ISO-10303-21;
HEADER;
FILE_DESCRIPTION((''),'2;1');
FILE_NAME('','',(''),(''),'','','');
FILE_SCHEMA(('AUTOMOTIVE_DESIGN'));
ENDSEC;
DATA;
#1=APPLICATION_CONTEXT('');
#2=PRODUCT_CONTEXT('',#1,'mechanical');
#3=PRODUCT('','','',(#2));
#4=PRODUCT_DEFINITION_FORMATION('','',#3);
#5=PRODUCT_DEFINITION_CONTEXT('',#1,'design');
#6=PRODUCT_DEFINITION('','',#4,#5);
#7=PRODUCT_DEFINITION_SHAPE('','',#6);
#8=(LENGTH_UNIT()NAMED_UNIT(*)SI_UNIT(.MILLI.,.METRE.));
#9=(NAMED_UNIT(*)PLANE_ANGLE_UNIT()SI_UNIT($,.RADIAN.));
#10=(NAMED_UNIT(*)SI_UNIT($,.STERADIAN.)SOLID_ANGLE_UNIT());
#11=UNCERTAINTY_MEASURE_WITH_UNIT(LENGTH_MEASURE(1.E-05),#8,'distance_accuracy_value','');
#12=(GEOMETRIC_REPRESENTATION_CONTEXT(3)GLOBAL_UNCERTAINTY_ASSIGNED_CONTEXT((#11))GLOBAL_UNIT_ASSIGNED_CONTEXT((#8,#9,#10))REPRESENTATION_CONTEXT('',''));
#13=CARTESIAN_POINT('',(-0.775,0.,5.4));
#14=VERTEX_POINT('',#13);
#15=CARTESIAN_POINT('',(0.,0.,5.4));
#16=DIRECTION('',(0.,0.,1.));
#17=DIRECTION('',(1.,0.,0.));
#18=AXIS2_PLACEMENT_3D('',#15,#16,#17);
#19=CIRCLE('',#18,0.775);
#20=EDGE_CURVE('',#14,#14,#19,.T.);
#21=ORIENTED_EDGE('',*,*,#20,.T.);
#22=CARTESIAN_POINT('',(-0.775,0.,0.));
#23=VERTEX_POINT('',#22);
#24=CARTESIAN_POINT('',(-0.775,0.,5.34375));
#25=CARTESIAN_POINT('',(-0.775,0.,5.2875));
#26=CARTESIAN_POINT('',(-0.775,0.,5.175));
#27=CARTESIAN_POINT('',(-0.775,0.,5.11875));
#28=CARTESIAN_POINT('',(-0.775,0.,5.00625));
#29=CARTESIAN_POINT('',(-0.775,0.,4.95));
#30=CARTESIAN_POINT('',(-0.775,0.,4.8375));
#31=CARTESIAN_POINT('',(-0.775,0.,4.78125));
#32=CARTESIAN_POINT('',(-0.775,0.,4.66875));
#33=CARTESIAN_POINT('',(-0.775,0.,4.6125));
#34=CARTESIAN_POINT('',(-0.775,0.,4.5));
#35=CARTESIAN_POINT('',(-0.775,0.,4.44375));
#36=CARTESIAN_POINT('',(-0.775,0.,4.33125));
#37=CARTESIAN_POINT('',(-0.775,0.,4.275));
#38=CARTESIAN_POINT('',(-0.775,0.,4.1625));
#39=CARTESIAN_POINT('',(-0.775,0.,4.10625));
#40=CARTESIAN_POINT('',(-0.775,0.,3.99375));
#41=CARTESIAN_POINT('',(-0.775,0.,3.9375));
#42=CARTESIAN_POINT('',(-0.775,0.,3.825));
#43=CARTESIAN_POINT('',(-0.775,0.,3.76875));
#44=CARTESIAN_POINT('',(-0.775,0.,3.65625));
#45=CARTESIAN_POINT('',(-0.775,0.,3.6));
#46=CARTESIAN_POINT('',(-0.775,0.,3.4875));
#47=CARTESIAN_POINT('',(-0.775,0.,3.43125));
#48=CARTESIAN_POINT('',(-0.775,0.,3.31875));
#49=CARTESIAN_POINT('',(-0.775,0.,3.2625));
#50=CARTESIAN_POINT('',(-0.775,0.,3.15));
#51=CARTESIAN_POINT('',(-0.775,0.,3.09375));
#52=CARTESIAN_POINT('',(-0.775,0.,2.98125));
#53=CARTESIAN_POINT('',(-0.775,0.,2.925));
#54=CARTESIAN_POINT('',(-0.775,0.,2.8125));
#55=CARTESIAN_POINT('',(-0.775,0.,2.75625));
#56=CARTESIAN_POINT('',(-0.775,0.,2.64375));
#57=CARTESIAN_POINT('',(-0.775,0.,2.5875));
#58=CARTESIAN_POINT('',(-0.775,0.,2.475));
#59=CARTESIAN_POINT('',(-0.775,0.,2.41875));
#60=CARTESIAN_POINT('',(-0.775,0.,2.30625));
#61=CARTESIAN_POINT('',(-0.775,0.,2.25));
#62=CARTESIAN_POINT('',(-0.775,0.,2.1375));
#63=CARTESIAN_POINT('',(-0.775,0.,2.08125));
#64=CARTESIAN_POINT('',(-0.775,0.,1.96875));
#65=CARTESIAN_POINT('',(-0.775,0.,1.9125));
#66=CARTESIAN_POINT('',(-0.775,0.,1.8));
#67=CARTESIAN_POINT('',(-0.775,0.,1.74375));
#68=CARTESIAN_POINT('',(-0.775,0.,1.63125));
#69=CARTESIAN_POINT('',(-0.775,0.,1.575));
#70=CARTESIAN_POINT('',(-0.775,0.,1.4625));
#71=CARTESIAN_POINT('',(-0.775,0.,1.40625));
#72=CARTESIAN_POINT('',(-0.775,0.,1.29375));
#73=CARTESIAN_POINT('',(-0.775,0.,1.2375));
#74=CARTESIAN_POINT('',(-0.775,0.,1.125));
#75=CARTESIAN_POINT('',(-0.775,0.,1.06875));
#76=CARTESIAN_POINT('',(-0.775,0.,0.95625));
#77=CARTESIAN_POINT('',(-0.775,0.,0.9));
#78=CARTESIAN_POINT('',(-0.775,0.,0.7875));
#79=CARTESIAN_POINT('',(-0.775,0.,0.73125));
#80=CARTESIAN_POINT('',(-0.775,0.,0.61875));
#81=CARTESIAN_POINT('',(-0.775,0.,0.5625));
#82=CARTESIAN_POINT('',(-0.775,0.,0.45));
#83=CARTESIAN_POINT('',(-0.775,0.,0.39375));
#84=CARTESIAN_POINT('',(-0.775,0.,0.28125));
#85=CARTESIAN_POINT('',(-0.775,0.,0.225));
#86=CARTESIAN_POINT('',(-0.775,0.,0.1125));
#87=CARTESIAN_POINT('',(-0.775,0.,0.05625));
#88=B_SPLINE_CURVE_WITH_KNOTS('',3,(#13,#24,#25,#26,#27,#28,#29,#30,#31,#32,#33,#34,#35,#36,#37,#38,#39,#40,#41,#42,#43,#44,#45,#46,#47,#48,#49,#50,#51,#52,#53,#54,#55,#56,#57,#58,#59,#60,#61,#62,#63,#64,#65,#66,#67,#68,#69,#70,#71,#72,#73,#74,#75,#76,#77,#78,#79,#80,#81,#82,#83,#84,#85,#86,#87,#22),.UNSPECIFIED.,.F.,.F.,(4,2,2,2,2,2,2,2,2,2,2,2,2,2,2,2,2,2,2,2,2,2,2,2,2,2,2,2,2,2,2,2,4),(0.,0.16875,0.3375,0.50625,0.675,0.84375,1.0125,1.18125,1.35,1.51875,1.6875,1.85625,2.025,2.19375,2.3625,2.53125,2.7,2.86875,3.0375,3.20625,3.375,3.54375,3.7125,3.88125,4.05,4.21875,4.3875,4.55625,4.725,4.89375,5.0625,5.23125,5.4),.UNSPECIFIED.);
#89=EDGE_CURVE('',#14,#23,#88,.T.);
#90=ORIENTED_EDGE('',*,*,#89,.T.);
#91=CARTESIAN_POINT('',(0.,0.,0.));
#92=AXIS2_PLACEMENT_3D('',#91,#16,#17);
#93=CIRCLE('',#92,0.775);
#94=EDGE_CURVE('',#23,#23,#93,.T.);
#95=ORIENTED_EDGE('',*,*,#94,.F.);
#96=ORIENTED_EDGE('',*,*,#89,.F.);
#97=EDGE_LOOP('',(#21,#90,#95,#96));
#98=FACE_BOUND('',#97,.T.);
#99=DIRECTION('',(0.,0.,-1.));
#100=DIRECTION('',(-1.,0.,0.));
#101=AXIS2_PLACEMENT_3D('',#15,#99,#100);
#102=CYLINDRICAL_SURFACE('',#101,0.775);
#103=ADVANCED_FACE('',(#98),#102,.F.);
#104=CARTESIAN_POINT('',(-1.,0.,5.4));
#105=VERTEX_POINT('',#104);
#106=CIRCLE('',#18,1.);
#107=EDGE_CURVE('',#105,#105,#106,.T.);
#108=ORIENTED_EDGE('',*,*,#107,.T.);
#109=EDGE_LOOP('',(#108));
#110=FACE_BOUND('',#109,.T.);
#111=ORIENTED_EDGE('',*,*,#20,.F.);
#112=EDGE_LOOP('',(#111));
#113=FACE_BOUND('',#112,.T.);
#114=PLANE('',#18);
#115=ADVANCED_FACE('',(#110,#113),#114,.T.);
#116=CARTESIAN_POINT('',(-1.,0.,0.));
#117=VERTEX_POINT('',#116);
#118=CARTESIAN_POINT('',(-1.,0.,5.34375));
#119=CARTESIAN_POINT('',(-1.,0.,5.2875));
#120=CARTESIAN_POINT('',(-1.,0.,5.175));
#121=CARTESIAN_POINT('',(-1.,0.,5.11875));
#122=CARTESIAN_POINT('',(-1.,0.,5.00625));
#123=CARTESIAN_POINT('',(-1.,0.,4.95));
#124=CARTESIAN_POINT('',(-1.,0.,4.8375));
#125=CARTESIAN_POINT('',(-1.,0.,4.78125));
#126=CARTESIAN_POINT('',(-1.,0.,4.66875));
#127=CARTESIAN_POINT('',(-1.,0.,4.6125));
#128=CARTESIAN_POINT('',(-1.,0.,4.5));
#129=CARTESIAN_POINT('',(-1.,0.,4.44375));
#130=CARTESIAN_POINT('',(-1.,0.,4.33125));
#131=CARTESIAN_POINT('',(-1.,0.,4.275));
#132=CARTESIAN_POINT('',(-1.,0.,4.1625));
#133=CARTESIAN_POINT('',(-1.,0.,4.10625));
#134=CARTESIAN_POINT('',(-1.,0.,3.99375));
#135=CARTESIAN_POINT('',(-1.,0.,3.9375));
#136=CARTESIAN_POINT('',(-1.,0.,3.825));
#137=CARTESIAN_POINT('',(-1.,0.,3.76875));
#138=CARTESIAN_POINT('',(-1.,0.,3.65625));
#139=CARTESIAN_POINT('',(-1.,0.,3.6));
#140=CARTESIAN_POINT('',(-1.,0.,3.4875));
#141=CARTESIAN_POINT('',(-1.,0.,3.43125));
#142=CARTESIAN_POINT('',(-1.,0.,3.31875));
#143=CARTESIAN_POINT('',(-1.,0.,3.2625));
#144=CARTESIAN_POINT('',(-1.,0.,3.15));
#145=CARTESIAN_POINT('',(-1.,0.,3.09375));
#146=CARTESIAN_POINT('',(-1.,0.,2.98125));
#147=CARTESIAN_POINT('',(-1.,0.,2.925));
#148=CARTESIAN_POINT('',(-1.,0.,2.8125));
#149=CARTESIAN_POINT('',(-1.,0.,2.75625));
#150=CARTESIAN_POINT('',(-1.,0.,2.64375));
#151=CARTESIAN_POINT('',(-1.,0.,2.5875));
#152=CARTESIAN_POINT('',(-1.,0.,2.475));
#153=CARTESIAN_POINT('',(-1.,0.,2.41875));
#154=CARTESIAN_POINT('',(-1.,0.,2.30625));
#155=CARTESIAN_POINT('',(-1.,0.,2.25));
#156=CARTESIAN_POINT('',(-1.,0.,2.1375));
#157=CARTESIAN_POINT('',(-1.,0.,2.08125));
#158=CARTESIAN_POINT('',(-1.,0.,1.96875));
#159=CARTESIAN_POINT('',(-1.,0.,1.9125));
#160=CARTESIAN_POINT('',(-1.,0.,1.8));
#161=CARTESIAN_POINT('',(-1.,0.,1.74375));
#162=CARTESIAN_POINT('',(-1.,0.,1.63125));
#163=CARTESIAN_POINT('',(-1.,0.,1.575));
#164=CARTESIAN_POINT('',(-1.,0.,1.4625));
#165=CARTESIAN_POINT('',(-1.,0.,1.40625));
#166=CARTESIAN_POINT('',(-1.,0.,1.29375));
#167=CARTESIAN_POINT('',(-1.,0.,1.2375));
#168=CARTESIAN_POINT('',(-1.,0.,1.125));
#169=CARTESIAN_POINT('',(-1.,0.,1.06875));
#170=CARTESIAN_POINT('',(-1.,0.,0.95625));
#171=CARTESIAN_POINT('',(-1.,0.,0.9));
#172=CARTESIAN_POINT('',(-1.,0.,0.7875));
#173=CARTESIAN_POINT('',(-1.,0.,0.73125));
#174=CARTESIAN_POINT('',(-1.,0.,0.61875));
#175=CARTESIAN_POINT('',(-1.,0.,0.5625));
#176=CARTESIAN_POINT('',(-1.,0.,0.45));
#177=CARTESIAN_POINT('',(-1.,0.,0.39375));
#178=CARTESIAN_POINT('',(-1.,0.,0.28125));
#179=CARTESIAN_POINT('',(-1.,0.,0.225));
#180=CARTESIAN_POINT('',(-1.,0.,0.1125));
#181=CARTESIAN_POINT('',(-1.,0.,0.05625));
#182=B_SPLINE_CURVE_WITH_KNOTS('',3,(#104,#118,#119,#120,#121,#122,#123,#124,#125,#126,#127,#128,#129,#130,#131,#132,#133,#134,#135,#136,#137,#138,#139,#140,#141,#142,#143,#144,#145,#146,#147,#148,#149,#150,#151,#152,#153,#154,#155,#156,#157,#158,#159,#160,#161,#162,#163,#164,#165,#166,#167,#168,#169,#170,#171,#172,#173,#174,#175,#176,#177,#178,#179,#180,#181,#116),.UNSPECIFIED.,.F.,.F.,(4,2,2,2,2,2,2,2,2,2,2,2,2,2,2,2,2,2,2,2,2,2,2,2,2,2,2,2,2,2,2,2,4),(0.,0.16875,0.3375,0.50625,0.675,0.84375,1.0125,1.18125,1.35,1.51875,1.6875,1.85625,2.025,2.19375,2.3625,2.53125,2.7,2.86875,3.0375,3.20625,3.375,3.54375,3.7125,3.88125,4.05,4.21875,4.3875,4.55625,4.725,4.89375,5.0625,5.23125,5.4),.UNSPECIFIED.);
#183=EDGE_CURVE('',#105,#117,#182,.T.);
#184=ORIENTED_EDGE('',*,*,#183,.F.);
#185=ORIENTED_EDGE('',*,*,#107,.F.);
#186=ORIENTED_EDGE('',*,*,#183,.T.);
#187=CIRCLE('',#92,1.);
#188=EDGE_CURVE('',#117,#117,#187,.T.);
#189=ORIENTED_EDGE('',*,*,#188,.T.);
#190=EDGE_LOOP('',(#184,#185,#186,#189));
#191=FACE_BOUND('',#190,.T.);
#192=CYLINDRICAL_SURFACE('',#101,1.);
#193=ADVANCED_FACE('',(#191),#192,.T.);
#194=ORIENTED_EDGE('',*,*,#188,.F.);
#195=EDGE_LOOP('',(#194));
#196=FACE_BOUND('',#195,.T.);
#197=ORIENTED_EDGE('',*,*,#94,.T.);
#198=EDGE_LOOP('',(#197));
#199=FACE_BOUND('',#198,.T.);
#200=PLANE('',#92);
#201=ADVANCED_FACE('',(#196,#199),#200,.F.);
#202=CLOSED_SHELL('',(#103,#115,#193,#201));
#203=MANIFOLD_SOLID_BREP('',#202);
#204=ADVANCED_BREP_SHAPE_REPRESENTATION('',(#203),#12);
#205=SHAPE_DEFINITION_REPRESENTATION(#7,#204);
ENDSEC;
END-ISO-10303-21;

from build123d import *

# Parameters (mm, degrees)
SKETCH_1_R      = 1
SKETCH_1_R_2    = 0.775
EXTRUDE_1_DEPTH = 5.4


with BuildPart() as part:
    # Эскиз1 → Бобышка-Вытянуть1 (new body)
    with BuildSketch(Plane.XY):
        with Locations(Location((0, 0, 0), (0, 0, 180))):
            Circle(SKETCH_1_R)
        with Locations(Location((0, 0, 0), (0, 0, 180))):
            Circle(SKETCH_1_R_2, mode=Mode.SUBTRACT)
    extrude(amount=EXTRUDE_1_DEPTH)


solid = part.part
